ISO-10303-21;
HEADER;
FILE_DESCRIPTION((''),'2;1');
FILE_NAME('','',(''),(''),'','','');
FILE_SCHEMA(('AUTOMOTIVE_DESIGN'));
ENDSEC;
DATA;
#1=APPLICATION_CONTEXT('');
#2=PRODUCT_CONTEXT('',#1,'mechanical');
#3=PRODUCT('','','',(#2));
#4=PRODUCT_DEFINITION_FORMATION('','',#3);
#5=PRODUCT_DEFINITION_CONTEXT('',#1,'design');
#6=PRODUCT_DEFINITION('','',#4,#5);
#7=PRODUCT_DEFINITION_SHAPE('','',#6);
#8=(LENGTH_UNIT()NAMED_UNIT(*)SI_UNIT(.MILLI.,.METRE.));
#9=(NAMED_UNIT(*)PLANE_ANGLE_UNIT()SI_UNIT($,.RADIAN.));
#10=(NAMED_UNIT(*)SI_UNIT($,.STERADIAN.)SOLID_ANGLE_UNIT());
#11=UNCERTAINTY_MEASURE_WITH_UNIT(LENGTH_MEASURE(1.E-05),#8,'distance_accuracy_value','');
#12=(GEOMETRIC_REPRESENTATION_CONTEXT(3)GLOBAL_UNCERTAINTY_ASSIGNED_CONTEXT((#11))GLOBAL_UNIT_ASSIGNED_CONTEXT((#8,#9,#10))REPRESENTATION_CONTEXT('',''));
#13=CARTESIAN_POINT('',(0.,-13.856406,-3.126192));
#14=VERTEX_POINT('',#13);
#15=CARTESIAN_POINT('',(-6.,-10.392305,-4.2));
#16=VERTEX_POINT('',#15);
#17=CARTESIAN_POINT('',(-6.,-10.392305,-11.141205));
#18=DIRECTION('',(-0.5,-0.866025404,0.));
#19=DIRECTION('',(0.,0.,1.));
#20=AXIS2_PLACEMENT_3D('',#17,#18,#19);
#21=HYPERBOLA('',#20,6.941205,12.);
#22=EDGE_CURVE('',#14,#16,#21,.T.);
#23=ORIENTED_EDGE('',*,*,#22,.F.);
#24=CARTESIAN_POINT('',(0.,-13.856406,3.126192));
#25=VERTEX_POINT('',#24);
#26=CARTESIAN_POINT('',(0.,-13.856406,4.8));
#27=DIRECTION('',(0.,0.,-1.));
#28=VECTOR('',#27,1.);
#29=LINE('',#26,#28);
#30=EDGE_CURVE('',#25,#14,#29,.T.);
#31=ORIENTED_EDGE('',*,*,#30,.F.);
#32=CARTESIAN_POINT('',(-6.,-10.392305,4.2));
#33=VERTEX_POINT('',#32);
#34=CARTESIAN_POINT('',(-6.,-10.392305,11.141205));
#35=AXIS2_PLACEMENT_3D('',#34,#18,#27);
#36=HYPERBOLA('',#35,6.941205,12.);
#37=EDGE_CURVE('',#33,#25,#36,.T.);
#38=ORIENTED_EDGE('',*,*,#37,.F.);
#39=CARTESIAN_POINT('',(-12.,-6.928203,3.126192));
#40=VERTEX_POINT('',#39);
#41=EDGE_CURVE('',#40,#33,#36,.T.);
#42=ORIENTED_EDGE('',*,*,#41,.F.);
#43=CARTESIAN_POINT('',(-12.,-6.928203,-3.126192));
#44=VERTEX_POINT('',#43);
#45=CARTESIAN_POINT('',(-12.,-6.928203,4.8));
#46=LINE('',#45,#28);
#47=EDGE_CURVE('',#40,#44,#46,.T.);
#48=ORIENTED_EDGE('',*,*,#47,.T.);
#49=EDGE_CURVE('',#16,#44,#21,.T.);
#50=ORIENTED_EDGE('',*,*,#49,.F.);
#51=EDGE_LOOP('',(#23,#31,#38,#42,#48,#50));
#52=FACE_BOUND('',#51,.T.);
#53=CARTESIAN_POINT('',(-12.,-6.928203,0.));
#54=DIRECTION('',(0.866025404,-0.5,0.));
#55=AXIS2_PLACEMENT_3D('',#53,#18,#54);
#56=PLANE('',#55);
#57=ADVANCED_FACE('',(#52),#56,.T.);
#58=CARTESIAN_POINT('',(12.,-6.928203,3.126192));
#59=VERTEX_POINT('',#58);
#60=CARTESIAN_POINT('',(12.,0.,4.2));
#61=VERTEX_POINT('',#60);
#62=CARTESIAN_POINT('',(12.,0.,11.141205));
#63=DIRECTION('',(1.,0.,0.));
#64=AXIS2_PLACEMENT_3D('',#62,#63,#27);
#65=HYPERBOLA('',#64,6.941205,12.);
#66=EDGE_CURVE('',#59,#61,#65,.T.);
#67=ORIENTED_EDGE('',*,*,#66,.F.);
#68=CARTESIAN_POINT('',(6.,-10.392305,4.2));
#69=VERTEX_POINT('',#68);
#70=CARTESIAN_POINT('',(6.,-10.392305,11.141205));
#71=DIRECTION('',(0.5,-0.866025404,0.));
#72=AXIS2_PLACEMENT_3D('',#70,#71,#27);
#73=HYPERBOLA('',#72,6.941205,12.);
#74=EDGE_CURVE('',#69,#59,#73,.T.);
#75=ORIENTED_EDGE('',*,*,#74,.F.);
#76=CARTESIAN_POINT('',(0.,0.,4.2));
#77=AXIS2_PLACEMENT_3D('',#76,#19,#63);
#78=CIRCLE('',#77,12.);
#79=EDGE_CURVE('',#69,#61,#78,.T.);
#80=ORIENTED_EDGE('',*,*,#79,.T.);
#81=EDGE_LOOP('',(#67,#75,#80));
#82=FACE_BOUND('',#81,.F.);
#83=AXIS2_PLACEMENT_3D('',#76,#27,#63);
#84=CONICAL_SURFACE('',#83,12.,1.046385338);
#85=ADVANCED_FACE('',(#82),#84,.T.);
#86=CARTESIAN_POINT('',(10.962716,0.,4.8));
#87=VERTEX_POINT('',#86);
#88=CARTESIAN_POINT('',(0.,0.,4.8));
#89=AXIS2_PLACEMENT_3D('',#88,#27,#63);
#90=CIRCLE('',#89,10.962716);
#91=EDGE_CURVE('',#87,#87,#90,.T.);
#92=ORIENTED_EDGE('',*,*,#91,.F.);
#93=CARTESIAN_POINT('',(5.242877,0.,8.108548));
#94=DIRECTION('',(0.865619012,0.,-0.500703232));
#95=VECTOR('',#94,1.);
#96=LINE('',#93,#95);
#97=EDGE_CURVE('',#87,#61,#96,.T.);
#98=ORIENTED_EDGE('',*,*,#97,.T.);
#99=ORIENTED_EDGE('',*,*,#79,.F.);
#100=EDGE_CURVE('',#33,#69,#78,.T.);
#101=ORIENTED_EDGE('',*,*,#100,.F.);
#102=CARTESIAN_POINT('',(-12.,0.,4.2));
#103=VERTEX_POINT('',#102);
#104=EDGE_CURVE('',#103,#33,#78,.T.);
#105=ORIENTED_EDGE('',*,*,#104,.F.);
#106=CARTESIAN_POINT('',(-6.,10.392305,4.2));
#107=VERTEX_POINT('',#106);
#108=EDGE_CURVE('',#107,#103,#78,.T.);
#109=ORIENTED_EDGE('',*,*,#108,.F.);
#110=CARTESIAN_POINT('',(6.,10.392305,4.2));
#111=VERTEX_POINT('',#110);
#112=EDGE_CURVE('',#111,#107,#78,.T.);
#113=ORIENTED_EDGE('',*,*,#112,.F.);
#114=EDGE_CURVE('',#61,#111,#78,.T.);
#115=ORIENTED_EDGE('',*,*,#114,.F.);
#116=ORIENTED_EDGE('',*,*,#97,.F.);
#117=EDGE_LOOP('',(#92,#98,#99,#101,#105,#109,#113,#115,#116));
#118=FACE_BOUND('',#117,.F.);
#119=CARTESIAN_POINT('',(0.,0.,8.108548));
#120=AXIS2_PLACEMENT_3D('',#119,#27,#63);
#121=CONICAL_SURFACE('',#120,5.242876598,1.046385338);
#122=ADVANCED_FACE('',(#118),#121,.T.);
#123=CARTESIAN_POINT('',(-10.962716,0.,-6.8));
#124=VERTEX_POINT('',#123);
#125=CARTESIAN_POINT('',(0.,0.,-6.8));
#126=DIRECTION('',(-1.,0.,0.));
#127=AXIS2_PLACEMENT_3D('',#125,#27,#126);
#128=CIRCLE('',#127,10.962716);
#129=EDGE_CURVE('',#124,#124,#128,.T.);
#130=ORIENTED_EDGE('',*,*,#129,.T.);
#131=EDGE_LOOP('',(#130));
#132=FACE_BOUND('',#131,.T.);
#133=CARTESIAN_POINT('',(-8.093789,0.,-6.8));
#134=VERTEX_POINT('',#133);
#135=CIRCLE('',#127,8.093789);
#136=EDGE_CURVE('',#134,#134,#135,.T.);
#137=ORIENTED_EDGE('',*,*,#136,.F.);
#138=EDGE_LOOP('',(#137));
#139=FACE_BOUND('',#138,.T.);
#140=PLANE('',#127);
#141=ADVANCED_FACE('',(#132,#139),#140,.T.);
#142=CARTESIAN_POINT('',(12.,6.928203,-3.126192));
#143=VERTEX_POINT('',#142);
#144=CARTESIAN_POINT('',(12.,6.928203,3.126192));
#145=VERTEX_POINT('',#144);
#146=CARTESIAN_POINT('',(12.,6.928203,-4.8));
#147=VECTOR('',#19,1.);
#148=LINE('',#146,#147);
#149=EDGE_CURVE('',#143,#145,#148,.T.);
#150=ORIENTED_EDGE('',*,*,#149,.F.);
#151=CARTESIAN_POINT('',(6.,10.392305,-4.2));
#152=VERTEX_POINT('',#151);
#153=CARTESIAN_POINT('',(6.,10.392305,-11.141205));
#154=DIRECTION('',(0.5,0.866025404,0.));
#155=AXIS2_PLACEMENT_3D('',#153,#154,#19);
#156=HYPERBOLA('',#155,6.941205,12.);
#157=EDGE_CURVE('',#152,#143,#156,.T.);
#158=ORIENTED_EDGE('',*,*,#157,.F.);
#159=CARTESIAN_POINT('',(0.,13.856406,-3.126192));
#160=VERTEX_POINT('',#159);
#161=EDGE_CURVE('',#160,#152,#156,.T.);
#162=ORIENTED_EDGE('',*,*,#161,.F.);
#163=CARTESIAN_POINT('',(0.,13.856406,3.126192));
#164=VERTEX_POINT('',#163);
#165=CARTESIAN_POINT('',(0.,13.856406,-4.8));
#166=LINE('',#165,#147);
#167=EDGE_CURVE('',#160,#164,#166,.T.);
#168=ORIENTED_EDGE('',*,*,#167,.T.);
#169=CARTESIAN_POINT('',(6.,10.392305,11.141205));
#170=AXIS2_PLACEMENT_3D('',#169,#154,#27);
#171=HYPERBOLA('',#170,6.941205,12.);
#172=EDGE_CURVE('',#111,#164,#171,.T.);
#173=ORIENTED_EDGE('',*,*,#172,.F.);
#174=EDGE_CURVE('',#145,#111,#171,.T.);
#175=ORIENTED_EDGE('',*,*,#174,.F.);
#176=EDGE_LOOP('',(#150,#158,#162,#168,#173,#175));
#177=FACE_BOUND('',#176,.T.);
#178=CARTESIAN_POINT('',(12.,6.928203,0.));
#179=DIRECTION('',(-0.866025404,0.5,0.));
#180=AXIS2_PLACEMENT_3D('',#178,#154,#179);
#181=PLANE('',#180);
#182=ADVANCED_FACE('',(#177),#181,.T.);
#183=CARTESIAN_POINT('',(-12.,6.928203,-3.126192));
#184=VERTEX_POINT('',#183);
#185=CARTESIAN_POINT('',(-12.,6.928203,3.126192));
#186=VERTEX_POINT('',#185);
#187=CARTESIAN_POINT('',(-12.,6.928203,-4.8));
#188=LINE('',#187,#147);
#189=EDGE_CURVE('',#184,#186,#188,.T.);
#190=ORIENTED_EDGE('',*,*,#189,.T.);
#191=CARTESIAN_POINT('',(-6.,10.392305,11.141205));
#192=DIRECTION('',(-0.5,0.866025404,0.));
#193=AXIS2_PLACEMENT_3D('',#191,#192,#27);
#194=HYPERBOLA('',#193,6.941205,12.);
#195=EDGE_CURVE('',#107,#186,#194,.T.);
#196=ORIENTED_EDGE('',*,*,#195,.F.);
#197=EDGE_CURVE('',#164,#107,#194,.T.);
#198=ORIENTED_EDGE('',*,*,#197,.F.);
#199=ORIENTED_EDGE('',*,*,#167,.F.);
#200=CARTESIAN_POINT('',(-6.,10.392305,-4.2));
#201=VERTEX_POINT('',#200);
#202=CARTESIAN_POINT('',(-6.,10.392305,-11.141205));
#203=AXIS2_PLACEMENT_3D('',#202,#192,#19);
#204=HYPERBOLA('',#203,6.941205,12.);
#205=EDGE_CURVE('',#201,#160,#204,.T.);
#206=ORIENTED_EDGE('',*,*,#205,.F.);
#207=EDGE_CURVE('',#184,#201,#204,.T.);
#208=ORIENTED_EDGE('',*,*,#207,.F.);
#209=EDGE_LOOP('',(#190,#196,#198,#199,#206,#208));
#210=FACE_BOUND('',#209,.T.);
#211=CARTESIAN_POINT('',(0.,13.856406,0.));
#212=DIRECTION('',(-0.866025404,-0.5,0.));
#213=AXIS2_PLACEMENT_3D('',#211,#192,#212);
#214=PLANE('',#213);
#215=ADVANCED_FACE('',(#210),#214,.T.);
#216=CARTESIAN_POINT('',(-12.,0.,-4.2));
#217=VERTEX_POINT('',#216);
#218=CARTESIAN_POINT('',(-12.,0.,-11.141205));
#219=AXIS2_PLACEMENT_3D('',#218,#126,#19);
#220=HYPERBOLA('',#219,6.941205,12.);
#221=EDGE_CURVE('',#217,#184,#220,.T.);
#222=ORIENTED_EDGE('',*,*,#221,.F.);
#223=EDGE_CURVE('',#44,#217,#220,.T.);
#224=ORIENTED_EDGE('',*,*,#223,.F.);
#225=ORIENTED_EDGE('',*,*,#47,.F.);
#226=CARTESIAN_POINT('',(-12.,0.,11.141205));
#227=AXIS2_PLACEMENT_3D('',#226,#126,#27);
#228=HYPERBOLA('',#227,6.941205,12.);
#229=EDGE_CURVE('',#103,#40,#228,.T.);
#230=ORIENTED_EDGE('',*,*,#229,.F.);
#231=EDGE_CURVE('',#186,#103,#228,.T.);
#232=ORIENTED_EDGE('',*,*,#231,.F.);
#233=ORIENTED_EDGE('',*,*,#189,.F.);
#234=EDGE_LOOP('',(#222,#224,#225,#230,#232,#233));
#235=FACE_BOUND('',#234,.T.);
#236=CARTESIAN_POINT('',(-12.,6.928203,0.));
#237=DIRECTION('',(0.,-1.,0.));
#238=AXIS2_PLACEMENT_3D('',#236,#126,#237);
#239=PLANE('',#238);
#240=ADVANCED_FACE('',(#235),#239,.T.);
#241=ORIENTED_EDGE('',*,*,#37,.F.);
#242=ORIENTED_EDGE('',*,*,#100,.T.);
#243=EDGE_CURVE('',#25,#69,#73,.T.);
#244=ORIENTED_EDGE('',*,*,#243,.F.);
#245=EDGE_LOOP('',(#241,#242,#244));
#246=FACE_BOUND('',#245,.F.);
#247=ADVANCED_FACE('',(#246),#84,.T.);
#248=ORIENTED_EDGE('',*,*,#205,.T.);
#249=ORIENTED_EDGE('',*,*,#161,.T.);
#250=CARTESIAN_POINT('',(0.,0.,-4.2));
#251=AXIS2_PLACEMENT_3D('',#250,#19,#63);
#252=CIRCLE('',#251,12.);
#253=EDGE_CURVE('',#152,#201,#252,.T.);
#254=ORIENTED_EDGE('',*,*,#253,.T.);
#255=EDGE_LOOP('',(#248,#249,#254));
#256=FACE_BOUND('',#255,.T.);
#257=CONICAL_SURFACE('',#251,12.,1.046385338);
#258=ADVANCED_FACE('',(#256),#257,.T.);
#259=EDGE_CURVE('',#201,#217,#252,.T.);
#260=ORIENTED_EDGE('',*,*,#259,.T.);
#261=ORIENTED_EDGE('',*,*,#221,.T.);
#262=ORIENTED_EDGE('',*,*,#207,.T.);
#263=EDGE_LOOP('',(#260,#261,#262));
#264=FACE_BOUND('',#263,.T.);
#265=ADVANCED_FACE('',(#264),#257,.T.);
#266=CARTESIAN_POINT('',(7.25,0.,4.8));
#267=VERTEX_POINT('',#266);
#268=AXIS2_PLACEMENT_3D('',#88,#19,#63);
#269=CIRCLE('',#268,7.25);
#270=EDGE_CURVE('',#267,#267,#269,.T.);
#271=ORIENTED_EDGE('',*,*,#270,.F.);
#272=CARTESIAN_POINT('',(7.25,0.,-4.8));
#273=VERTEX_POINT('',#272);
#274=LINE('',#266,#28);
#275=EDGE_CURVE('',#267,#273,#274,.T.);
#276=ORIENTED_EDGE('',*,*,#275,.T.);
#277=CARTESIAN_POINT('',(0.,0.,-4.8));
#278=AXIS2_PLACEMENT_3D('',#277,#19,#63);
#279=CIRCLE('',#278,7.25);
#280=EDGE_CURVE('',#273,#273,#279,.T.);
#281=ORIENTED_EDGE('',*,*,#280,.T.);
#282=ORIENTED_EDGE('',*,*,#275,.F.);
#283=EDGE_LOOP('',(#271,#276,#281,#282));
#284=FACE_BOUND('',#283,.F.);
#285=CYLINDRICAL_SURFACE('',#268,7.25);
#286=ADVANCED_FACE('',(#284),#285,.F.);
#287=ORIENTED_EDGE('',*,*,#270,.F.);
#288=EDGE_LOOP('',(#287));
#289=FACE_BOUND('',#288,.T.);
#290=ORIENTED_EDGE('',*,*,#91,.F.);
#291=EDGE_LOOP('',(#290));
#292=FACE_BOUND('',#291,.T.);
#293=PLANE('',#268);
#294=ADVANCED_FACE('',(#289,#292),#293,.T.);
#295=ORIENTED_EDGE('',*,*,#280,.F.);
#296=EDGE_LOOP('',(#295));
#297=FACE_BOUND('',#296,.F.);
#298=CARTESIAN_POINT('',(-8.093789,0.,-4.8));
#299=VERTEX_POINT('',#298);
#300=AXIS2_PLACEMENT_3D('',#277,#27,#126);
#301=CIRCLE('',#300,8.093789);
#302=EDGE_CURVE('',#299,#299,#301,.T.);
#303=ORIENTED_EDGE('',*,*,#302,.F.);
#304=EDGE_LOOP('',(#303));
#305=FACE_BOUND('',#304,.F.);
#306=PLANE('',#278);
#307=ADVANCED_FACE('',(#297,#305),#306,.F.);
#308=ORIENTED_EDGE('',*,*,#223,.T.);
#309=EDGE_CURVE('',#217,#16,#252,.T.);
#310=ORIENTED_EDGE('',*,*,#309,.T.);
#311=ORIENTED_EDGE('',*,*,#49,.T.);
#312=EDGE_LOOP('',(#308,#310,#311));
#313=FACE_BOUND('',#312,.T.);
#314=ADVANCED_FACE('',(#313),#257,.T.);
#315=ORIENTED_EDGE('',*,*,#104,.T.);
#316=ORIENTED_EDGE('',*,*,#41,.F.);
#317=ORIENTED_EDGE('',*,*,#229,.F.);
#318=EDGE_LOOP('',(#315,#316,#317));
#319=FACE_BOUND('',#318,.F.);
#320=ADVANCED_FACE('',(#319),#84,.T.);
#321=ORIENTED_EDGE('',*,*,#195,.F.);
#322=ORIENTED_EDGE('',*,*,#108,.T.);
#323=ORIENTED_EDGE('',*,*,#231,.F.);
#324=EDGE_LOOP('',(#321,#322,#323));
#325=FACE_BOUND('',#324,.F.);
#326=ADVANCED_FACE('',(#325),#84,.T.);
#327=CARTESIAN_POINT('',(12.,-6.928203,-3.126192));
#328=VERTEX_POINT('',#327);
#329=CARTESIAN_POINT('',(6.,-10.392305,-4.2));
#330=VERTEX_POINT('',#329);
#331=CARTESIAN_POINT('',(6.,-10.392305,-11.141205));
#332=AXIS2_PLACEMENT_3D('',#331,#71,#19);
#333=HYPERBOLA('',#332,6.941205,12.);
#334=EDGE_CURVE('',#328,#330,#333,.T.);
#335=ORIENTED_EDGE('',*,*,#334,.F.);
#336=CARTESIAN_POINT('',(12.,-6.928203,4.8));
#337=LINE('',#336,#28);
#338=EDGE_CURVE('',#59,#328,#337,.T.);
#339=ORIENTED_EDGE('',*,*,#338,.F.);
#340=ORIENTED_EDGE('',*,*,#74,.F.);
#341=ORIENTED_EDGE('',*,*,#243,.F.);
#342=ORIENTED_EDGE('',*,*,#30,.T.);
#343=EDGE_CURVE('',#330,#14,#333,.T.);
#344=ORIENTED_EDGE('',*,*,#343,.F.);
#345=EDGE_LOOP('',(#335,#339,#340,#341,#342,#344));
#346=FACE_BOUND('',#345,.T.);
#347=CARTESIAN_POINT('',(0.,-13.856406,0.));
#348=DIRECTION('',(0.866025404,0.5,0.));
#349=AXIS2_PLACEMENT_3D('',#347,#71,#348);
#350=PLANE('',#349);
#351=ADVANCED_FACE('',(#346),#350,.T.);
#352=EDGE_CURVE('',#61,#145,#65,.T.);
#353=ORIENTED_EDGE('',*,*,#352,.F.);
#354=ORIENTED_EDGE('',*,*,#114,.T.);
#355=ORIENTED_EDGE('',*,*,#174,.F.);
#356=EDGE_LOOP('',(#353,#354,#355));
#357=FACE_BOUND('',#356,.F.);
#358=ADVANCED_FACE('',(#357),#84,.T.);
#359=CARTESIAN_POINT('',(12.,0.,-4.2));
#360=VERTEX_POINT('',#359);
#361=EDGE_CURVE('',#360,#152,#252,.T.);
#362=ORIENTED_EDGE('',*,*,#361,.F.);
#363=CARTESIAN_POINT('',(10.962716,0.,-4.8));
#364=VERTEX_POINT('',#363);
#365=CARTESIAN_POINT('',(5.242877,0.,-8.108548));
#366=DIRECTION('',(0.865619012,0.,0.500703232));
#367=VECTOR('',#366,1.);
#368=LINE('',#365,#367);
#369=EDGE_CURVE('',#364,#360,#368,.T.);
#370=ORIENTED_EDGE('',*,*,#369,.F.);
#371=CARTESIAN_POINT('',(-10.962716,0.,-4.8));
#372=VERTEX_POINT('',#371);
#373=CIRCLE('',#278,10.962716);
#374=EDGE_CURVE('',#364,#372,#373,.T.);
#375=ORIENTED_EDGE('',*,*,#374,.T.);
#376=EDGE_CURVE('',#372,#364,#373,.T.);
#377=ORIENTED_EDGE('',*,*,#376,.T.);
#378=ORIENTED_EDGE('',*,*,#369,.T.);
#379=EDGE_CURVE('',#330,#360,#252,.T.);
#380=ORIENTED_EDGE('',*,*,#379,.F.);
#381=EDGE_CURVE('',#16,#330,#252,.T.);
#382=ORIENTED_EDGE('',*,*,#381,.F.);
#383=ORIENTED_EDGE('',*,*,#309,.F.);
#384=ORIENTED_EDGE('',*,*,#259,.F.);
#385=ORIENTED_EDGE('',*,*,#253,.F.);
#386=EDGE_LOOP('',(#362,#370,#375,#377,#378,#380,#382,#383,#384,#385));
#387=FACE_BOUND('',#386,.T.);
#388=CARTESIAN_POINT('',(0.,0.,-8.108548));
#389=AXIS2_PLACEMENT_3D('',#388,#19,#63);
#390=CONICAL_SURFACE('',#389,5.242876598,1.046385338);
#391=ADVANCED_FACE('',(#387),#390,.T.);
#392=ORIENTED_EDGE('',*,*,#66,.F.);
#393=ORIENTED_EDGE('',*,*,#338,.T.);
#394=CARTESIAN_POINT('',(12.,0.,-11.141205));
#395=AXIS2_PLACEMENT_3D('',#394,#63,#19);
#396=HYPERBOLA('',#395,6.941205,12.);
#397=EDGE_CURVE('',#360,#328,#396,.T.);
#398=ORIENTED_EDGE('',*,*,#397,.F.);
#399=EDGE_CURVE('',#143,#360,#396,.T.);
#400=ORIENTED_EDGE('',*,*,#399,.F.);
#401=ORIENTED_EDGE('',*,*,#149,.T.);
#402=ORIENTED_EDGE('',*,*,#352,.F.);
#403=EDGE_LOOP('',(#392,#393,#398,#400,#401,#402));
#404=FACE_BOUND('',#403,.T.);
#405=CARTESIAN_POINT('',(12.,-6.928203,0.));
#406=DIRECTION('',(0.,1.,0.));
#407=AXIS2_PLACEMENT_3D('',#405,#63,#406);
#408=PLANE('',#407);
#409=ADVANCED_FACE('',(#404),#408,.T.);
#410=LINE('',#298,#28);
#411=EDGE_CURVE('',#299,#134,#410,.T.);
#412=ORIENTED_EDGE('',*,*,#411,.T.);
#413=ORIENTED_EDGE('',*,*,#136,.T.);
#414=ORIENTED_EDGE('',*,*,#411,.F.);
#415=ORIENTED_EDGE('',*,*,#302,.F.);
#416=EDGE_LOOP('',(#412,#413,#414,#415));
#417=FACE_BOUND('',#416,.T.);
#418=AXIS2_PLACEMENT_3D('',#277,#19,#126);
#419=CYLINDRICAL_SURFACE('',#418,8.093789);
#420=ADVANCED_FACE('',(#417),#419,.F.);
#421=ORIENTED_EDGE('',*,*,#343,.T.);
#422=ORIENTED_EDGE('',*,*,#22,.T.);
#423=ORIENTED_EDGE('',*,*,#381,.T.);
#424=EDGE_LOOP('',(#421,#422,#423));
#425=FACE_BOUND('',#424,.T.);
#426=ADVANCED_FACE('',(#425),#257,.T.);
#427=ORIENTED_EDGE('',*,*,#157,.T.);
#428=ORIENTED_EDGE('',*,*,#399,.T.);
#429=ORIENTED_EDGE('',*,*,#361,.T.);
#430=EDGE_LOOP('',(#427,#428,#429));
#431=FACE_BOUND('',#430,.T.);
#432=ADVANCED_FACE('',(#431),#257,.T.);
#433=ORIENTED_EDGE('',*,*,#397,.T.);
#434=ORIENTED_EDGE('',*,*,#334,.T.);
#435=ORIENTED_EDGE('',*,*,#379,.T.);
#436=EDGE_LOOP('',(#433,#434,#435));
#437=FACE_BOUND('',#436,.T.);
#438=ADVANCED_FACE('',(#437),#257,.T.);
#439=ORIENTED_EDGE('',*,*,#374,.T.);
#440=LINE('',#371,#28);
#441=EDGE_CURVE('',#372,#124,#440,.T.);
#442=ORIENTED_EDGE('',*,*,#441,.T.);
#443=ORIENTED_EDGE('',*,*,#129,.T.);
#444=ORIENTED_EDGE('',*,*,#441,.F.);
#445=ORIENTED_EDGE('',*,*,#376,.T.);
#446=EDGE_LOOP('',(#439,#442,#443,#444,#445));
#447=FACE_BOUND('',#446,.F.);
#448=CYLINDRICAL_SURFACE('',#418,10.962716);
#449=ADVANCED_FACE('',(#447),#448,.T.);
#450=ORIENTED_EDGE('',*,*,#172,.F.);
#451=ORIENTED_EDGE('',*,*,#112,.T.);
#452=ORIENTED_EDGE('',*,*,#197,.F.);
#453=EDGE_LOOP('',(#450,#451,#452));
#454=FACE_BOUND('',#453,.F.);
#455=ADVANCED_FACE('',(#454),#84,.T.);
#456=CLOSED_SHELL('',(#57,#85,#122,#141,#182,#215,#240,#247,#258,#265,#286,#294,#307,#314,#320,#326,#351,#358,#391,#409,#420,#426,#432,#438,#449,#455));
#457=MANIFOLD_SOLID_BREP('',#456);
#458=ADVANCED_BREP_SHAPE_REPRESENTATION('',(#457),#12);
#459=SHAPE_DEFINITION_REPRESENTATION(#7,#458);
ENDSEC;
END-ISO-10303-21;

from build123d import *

# Parameters (mm, degrees)
EXTRUDE_1_DEPTH     = 4.8
SKETCH_3_R          = 7.25
CUT_EXTRUDE_1_DEPTH = 21.69202745
SKETCH_4_R          = 10.962716089
SKETCH_4_R_2        = 8.093789305
EXTRUDE_2_DEPTH     = 2


with BuildPart() as part:
    # 草图1 → 凸台-拉伸1 (new, symmetric)
    with BuildSketch(Plane.XY):
        Polygon((12, -6.92820323), (12, 6.92820323), (0, 13.856406461), (-12, 6.92820323), (-12, -6.92820323), (0, -13.856406461), align=None)
    extrude(amount=EXTRUDE_1_DEPTH, both=True)

    # 草图2 → 切除-旋转1 (revolve, cut)
    with BuildSketch(Plane(origin=(0, 0, 0), x_dir=(1, 0, 0), z_dir=(0, 1, 0))):
        Polygon((15.485203874, 8.108548082), (5.242876598, 8.108548082), (12, 4.2), (23.530399305, -2.469571859), align=None)
    cut_revolve_1 = revolve(axis=Axis((0, 0, -6.79329682), (0, 0, 1)), mode=Mode.SUBTRACT)

    # 镜向1: 切除-旋转1 across plane
    add(cut_revolve_1.mirror(Plane.XY), mode=Mode.SUBTRACT)

    # 草图3 → 切除-拉伸1 (cut, through all)
    with BuildSketch(Plane.XY.offset(4.8)):
        Circle(SKETCH_3_R)
    extrude(amount=-CUT_EXTRUDE_1_DEPTH, mode=Mode.SUBTRACT)

    # 草图4 → 凸台-拉伸2 (add)
    with BuildSketch(Plane(origin=(0, 0, -4.8), x_dir=(-1, 0, 0), z_dir=(0, 0, -1))):
        Circle(SKETCH_4_R)
        Circle(SKETCH_4_R_2, mode=Mode.SUBTRACT)
    extrude(amount=EXTRUDE_2_DEPTH)


solid = part.part
